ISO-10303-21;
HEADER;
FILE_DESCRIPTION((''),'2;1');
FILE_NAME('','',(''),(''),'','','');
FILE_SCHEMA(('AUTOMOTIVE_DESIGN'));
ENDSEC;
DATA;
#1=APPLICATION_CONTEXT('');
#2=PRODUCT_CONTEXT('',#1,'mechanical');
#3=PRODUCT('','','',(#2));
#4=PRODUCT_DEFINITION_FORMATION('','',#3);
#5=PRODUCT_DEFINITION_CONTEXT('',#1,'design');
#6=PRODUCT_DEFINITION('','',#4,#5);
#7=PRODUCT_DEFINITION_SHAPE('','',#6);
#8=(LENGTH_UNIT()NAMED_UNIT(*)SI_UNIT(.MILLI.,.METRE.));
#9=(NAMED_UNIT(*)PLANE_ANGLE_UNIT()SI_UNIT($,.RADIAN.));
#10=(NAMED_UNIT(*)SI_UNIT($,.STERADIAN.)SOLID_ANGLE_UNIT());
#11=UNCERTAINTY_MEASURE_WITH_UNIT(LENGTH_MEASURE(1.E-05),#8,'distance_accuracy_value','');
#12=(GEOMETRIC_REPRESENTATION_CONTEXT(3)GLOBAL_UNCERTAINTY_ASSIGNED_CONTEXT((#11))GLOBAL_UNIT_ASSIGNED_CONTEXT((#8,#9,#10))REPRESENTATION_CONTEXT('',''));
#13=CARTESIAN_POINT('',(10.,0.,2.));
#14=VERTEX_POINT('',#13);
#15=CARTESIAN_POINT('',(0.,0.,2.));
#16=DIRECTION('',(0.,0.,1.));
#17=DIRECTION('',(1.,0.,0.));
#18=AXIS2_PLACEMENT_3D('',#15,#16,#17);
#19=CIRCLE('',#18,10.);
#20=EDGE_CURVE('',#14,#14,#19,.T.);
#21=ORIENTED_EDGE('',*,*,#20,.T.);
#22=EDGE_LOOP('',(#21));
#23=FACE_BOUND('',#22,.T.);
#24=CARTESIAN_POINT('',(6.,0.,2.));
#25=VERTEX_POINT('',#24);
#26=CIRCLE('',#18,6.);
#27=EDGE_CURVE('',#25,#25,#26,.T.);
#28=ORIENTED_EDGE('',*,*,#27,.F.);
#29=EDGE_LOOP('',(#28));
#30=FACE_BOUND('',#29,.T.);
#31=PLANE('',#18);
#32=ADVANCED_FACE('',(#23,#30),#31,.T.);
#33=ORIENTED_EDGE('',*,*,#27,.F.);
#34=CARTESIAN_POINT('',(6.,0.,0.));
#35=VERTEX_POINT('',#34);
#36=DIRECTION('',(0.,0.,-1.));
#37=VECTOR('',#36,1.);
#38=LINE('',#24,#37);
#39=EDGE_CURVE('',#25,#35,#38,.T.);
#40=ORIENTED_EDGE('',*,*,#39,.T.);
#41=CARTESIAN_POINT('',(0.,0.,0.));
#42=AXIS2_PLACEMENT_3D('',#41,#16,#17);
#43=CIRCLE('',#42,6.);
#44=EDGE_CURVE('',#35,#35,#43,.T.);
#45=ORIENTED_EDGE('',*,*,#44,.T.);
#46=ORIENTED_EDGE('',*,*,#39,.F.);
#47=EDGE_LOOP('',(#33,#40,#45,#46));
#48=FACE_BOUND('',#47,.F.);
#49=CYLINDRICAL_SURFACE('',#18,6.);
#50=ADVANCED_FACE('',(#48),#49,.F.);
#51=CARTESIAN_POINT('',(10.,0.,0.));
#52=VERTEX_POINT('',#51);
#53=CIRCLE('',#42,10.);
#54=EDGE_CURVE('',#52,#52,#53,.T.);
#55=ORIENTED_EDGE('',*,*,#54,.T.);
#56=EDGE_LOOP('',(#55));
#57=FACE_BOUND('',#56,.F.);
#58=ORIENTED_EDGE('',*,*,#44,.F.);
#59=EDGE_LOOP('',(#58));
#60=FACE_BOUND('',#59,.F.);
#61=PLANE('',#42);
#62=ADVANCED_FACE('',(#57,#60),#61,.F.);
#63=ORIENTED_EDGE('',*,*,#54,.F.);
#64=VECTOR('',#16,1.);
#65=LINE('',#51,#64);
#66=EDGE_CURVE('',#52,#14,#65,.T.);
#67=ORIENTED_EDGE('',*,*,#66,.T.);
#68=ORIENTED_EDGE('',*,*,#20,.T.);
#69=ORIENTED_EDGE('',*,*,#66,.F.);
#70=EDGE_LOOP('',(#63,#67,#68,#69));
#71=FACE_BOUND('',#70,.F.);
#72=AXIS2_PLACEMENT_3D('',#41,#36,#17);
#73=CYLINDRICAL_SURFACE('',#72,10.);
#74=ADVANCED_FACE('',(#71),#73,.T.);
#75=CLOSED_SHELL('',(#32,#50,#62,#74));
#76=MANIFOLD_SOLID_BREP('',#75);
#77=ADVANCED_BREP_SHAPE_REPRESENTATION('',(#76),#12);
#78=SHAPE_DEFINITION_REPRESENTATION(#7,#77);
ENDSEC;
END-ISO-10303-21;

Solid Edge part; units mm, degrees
sketch "Sketch1" plane through (0, 0, 0) normal (0, 0, 1) x (1, 0, 0)
  circle A0 centre (0, 0) radius 10
  dimension "D1" = 20
extrude "Protrusion1" add sketch "Sketch1" along normal blind 2
sketch "Sketch2" plane through (0, 0, 2) normal (0, 0, 1) x (1, 0, 0)
  circle A0 centre (0, 0) radius 6
  dimension "D1" = 12
extrude "Cutout1" cut sketch "Sketch2" against normal through all
